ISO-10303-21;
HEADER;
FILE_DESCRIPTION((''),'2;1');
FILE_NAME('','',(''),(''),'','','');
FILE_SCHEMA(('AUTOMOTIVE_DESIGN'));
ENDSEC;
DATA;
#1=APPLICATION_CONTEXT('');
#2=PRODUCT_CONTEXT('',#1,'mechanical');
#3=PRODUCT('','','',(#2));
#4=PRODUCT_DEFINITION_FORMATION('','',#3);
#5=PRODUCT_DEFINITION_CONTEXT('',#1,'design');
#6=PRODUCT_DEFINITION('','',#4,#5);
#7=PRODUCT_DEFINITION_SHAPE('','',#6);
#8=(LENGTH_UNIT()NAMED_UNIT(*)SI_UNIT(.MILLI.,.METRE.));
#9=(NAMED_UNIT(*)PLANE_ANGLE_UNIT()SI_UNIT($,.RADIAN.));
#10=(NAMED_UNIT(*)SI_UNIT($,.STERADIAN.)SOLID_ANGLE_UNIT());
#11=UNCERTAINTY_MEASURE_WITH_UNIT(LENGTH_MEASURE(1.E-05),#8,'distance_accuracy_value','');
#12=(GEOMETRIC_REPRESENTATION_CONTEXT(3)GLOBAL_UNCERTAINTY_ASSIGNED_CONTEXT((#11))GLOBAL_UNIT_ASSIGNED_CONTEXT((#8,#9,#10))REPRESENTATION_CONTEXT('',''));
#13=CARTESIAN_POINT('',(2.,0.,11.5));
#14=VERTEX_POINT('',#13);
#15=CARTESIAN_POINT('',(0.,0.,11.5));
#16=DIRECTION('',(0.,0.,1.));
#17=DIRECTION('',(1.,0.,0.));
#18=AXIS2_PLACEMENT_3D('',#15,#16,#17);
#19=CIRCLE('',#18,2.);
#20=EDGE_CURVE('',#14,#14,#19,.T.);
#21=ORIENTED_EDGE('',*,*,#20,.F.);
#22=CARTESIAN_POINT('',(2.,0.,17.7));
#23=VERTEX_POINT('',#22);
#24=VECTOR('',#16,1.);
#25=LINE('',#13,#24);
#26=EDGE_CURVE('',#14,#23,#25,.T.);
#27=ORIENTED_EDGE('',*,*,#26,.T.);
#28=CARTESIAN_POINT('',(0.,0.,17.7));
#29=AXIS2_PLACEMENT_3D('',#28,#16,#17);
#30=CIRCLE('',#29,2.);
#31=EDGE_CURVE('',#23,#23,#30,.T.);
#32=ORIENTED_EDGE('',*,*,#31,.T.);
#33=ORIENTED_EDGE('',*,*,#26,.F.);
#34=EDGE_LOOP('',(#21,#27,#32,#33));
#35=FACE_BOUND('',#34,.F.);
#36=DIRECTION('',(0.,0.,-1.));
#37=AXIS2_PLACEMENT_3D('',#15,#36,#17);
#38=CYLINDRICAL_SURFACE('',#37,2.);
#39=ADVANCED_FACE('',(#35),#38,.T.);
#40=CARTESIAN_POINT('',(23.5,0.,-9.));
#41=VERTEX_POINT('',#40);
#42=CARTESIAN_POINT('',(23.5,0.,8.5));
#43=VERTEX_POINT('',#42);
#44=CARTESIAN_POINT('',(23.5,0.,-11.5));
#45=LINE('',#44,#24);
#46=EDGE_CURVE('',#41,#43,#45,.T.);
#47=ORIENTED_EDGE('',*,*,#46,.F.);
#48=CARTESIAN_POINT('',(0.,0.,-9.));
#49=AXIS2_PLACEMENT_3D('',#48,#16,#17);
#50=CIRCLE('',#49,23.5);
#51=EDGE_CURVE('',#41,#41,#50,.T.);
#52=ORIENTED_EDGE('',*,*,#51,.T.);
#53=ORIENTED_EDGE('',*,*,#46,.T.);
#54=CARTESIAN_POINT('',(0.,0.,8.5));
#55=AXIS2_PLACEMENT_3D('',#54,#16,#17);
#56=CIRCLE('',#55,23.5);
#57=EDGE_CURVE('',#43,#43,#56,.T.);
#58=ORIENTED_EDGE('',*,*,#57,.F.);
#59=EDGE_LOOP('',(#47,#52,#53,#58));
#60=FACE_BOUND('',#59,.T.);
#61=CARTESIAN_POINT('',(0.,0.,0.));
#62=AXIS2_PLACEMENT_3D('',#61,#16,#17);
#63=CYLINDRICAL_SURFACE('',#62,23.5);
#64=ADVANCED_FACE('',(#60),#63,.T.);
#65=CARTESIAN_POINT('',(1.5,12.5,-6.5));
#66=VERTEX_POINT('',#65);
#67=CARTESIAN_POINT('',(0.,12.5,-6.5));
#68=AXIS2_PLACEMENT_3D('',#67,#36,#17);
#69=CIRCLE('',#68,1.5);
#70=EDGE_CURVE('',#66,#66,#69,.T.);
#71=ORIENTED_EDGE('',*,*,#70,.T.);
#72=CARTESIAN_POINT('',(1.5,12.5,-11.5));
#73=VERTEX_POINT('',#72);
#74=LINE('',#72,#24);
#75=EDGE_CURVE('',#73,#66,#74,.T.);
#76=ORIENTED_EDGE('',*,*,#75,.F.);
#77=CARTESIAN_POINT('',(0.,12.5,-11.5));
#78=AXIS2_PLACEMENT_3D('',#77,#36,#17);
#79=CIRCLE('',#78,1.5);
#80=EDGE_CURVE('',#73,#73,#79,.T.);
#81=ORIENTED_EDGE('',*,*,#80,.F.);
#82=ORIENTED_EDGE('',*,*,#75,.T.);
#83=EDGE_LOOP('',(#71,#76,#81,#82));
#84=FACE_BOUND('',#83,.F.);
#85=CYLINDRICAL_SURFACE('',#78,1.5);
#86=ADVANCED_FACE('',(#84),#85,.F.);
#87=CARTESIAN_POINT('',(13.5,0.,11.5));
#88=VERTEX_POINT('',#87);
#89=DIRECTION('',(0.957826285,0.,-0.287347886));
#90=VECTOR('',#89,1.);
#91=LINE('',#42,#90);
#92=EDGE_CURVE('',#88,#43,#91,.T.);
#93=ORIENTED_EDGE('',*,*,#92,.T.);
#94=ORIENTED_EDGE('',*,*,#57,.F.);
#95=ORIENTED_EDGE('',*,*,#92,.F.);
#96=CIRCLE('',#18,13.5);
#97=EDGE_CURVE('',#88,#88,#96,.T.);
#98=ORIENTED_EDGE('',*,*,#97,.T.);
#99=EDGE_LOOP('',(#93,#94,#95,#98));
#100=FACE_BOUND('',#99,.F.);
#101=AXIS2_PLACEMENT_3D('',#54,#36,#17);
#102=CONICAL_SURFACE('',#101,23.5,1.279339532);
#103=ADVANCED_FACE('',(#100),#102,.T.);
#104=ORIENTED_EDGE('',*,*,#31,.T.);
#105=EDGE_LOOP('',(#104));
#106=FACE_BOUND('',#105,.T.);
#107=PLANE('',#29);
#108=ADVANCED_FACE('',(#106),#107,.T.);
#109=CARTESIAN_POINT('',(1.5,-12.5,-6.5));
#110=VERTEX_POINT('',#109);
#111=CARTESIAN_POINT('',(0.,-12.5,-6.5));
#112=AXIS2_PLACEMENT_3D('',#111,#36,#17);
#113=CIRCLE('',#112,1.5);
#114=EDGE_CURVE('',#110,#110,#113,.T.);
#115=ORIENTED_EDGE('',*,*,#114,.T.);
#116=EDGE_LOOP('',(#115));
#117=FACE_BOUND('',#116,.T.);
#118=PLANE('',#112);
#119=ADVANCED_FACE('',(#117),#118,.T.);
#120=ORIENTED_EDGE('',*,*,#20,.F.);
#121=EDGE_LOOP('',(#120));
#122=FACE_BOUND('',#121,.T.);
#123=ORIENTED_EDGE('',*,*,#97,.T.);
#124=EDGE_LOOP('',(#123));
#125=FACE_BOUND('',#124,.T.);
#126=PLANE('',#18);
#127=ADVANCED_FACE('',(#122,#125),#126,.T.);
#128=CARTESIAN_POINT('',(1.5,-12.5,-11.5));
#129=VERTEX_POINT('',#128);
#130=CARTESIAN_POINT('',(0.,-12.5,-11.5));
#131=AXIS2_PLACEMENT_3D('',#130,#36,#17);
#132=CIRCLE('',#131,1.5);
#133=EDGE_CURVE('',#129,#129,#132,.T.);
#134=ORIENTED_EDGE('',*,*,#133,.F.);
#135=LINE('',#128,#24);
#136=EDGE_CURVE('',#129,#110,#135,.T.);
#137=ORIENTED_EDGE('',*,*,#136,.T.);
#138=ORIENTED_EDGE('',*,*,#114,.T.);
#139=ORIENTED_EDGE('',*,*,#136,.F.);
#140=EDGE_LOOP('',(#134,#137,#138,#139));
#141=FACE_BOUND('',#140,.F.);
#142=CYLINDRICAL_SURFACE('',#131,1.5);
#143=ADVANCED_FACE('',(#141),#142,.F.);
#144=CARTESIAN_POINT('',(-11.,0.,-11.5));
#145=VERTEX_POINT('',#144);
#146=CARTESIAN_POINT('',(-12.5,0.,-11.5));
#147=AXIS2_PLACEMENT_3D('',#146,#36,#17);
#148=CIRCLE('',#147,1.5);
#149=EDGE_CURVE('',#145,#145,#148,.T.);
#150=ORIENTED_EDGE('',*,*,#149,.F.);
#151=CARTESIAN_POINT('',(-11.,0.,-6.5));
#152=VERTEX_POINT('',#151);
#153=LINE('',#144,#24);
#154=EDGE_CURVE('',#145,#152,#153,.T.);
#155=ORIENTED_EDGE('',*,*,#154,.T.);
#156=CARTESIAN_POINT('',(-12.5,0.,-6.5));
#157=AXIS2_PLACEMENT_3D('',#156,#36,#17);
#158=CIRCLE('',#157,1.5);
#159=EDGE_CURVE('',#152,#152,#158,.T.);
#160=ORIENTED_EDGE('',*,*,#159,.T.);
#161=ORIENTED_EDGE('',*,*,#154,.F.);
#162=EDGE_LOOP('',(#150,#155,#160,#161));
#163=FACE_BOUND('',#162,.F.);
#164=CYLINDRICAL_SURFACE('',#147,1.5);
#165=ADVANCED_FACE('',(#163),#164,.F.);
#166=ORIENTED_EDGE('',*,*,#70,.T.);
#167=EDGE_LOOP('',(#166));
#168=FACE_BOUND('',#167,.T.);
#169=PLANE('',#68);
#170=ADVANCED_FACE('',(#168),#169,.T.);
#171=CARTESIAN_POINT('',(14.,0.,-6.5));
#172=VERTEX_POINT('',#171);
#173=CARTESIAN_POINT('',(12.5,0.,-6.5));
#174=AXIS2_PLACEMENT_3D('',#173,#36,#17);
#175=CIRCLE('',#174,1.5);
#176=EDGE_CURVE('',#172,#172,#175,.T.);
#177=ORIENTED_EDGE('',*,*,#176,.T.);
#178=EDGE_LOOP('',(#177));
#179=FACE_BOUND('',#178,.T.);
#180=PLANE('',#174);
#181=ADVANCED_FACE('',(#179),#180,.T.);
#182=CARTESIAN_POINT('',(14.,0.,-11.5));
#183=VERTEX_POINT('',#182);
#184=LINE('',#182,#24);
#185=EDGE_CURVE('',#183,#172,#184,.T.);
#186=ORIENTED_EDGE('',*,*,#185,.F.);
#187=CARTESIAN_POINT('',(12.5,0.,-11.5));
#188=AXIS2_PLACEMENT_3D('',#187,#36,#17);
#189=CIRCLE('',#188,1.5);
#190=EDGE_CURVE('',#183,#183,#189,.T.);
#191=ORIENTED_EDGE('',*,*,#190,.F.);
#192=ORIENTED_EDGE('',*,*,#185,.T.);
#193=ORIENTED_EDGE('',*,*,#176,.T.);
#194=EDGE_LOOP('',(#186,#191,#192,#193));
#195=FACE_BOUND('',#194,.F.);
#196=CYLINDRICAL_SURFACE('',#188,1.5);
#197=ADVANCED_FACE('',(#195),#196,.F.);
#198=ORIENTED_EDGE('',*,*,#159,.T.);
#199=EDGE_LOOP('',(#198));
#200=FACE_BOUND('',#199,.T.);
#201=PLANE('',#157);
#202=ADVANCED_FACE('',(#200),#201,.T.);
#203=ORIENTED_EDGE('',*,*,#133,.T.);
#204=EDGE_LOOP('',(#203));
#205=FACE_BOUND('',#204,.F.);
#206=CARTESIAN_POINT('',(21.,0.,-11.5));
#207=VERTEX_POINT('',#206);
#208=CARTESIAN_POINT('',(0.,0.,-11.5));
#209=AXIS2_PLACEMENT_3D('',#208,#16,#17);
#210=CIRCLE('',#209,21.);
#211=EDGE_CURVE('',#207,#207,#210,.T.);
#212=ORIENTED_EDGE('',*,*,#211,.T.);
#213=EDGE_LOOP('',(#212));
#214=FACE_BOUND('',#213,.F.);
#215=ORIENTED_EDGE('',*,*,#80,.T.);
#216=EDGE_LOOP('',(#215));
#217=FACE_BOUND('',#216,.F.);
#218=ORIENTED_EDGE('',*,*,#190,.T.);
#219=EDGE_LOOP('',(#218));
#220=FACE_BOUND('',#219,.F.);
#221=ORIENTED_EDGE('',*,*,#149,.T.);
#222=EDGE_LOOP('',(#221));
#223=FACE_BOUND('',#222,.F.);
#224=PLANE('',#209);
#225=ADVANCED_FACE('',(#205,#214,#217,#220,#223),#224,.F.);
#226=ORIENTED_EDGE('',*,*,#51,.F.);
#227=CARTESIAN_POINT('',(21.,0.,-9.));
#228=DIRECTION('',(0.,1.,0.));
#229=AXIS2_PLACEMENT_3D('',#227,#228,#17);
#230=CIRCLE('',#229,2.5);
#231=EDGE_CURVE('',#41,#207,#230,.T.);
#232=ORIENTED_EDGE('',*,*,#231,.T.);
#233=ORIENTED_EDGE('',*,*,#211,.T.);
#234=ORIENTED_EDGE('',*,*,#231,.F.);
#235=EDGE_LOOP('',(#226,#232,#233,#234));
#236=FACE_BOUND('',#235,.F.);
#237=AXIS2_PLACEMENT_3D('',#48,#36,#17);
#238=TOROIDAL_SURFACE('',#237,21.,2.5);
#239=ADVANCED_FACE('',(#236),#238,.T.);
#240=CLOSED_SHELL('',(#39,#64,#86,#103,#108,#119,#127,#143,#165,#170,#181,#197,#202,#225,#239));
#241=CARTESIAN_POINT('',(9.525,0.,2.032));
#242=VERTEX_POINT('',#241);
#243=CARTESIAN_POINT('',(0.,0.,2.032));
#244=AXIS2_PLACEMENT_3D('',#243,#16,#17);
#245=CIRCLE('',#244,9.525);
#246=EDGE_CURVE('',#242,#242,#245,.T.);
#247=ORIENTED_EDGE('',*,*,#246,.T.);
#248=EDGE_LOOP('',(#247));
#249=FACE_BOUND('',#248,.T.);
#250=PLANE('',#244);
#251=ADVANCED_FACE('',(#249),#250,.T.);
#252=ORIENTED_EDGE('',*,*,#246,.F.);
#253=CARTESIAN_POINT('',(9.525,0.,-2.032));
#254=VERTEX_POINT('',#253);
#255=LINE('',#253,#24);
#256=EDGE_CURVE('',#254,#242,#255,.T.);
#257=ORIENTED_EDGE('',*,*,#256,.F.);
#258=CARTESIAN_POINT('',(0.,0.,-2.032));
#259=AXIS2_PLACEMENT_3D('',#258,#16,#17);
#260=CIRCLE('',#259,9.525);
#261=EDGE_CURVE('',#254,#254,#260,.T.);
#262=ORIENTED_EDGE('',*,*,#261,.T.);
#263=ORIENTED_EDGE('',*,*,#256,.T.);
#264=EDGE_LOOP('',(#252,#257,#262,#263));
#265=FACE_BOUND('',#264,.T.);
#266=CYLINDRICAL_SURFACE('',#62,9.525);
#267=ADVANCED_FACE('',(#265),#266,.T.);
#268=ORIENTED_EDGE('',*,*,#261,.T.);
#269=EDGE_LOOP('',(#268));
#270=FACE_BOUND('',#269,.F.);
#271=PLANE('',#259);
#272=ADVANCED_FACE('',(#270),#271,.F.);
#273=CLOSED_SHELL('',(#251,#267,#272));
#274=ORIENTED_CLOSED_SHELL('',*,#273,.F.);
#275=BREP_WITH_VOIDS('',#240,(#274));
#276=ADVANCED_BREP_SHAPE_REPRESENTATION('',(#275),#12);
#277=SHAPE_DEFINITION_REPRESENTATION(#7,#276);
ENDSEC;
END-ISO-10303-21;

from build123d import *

# Parameters (mm, degrees)
F0_R     = 23.5
F1_DEPTH = 11.5
F2_R     = 2
F3_DEPTH = 6.2
F4_R     = 1.5
F5_DEPTH = 5
F6_SIZE2 = 3
F6_SIZE  = 10
F7_R     = 2.5
F8_R     = 9.525
F9_DEPTH = 2.032


with BuildPart() as f1:
    # F0 (on Top) → F1 (new body, symmetric)
    with BuildSketch(Plane.XY):
        Circle(F0_R)
    extrude(amount=F1_DEPTH, both=True)

    # F2 (on face) → F3 (join)
    with BuildSketch(Plane.XY.offset(11.5)):
        Circle(F2_R)
    extrude(amount=F3_DEPTH)

    # F4 (on face) → F5 (cut)
    with BuildSketch(Plane(origin=(0, 0, -11.5), x_dir=(1, 0, 0), z_dir=(0, 0, -1))):
        with Locations((0, 12.5)):
            Circle(F4_R)
        with Locations((-12.5, 0)):
            Circle(F4_R)
        with Locations((0, -12.5)):
            Circle(F4_R)
        with Locations((12.5, 0)):
            Circle(F4_R)
    extrude(amount=-F5_DEPTH, mode=Mode.SUBTRACT)

    # F6
    f6_edges = [f1.edges().sort_by_distance(p)[0] for p in [
        (-23.5, 0, 11.5),
    ]]
    f6_side = f1.faces().sort_by_distance((-22.83532, 0, 11.5))[0]
    chamfer(f6_edges, length=F6_SIZE, length2=F6_SIZE2, reference=f6_side)

    # F7
    f7_edges = [f1.edges().sort_by_distance(p)[0] for p in [
        (-23.5, 0, -11.5),
    ]]
    fillet(f7_edges, radius=F7_R)

    # F8 (on Top) → F9 (cut, symmetric)
    with BuildSketch(Plane.XY):
        Circle(F8_R)
    extrude(amount=F9_DEPTH, both=True, mode=Mode.SUBTRACT)


solid = f1.part
